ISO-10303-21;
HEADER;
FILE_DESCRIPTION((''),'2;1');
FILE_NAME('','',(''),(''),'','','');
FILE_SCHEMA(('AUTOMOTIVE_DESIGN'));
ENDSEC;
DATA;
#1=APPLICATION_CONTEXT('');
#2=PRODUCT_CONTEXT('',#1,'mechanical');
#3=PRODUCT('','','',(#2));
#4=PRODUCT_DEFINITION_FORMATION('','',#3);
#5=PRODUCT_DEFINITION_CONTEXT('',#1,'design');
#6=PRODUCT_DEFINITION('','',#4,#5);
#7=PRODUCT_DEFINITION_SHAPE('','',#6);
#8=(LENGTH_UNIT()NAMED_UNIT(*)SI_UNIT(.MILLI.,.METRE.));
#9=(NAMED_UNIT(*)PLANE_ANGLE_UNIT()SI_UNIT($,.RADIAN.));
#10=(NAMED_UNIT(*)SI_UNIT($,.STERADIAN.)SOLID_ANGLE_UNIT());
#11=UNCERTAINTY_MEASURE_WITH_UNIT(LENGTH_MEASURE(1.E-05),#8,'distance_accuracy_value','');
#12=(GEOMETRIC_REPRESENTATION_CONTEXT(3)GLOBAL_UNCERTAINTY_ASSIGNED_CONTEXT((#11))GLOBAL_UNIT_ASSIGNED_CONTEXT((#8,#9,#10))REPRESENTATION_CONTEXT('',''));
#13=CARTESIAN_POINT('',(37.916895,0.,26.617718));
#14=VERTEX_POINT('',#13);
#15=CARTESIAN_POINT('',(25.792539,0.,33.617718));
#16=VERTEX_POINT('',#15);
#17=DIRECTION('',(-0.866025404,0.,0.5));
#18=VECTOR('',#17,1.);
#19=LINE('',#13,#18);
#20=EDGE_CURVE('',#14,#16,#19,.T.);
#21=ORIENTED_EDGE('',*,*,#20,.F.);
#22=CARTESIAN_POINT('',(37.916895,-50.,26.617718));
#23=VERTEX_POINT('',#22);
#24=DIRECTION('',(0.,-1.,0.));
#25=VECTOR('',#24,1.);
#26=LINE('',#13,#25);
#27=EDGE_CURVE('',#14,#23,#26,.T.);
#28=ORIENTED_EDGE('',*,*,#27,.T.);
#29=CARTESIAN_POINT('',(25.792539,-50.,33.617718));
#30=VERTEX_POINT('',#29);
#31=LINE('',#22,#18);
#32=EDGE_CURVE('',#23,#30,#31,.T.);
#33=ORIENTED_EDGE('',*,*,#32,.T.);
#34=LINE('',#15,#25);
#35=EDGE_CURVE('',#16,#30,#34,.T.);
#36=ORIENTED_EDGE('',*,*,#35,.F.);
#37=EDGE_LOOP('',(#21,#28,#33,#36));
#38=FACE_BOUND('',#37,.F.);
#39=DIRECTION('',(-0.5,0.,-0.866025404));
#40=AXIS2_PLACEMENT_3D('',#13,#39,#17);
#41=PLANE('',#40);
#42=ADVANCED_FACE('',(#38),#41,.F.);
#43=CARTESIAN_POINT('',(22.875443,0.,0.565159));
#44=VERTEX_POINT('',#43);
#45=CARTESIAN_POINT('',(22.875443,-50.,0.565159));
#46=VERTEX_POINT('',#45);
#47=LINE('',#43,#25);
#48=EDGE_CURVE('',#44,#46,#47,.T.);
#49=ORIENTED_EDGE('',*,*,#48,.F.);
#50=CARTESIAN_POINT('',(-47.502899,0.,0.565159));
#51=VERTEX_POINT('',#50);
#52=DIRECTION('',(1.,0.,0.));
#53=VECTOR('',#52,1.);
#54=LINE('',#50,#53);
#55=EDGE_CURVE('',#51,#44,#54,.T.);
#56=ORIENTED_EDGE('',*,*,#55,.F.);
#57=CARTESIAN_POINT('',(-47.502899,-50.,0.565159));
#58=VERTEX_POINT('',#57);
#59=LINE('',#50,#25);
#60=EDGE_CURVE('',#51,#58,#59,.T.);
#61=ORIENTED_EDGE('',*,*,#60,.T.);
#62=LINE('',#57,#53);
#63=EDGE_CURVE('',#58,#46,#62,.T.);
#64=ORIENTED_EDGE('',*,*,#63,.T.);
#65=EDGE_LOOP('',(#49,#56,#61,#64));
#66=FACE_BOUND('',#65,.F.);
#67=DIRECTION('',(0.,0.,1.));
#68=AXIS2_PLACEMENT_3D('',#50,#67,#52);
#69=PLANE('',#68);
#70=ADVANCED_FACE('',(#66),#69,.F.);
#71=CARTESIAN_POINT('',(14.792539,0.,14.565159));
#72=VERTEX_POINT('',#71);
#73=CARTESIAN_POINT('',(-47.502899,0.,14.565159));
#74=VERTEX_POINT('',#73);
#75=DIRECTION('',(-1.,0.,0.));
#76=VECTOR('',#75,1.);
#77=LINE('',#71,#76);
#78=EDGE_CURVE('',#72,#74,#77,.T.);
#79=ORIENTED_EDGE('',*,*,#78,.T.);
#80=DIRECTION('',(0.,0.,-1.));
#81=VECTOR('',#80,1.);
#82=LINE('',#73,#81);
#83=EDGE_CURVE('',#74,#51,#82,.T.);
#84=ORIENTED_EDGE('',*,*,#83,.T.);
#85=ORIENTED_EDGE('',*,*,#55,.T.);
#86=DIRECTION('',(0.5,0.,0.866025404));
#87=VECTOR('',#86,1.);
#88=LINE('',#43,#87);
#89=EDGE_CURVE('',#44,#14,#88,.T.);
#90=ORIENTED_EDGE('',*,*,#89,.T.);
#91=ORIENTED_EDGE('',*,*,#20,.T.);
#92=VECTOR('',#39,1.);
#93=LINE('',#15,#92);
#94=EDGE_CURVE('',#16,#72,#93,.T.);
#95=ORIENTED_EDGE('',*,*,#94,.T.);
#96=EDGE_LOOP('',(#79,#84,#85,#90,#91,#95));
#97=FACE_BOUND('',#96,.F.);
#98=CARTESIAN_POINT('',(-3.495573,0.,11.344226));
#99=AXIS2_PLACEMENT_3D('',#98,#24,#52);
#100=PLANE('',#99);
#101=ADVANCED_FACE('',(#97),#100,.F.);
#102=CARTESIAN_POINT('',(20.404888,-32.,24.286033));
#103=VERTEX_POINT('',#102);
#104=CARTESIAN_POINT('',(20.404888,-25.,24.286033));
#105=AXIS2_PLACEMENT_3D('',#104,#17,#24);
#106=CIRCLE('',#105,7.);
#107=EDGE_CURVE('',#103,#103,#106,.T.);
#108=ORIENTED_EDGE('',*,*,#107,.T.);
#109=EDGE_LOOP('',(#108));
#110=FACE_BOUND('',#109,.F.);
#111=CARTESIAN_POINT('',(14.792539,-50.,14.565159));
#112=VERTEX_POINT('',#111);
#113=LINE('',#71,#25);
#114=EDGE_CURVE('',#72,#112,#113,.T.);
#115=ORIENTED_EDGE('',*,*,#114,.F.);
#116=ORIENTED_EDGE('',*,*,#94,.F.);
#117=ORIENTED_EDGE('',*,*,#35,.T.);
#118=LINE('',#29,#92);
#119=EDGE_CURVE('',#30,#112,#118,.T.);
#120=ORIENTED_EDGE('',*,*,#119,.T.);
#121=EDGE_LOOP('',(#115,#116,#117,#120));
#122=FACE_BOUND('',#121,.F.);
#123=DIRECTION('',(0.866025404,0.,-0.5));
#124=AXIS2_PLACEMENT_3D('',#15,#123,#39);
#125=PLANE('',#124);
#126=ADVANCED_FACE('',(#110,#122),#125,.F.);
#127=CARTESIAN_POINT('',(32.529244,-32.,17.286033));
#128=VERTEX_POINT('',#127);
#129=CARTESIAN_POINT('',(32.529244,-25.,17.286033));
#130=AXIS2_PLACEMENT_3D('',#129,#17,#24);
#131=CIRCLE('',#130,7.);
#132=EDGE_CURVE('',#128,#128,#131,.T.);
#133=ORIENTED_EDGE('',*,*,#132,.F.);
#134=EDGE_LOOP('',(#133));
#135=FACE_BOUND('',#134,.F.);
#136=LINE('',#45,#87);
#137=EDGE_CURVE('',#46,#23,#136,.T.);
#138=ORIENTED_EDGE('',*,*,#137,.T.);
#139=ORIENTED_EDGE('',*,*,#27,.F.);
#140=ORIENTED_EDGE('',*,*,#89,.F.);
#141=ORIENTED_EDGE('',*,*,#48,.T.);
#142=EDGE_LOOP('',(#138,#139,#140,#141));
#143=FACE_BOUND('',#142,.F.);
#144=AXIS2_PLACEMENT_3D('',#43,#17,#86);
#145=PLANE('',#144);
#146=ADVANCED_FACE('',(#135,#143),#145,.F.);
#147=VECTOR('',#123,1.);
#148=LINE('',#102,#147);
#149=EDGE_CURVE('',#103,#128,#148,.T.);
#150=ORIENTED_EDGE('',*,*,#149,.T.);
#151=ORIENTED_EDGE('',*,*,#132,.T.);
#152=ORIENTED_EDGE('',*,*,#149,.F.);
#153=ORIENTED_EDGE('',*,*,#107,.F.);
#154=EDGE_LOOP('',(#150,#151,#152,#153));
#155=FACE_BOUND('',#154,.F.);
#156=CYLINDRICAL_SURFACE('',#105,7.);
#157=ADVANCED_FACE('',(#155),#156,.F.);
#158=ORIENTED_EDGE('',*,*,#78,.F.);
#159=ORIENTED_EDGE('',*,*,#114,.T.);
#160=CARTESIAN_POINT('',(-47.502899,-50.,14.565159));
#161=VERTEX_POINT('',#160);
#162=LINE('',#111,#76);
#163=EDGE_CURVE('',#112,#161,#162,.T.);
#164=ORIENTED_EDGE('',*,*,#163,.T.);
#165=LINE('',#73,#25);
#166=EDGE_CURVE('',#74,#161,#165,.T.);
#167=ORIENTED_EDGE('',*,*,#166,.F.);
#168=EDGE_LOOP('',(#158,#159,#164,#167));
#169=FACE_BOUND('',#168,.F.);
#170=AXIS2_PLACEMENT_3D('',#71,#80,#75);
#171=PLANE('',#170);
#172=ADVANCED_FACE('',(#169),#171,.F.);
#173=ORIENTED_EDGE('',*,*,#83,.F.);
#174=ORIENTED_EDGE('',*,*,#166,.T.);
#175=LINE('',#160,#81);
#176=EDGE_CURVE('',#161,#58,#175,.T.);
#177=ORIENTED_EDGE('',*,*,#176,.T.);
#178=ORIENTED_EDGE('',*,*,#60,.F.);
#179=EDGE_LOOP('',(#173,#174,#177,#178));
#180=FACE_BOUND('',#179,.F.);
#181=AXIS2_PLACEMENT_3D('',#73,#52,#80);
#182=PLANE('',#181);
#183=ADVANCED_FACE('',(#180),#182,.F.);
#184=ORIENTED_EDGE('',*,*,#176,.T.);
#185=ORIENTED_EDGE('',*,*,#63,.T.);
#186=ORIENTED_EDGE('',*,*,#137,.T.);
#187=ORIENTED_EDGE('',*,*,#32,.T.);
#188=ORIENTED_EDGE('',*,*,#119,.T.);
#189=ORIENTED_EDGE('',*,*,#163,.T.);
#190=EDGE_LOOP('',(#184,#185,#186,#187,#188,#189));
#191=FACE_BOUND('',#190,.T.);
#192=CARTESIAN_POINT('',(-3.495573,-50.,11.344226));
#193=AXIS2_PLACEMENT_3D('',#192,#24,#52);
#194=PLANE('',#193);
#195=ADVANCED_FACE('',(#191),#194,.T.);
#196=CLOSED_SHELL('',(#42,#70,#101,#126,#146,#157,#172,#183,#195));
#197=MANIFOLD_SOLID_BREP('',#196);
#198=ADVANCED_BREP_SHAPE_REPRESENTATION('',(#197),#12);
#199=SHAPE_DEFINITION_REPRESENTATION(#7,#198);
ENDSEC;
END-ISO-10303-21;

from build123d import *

# Parameters (mm, degrees)
F1_DEPTH = 50
F2_R     = 7
F3_DEPTH = 27.0272794416


with BuildPart() as f1:
    # F0 (on Front) → F1 (new body)
    with BuildSketch(Plane.XZ):
        Polygon((14.7925389971, 14.565159461), (-47.5028994737, 14.565159461), (-47.5028994737, 0.565159461), (22.8754427657, 0.565159461), (37.91689465, 26.6177183442), (25.7925389971, 33.6177183442), align=None)
    extrude(amount=F1_DEPTH)

    # F2 (on face) → F3 (cut, through all)
    with BuildSketch(Plane(origin=(4.7875051961, 0, -2.7640674137), x_dir=(0, -1, 0), z_dir=(-0.8660254038, 0, 0.5))):
        with Locations((25, 31.2347654253)):
            Circle(F2_R)
    extrude(amount=-F3_DEPTH, mode=Mode.SUBTRACT)


solid = f1.part
